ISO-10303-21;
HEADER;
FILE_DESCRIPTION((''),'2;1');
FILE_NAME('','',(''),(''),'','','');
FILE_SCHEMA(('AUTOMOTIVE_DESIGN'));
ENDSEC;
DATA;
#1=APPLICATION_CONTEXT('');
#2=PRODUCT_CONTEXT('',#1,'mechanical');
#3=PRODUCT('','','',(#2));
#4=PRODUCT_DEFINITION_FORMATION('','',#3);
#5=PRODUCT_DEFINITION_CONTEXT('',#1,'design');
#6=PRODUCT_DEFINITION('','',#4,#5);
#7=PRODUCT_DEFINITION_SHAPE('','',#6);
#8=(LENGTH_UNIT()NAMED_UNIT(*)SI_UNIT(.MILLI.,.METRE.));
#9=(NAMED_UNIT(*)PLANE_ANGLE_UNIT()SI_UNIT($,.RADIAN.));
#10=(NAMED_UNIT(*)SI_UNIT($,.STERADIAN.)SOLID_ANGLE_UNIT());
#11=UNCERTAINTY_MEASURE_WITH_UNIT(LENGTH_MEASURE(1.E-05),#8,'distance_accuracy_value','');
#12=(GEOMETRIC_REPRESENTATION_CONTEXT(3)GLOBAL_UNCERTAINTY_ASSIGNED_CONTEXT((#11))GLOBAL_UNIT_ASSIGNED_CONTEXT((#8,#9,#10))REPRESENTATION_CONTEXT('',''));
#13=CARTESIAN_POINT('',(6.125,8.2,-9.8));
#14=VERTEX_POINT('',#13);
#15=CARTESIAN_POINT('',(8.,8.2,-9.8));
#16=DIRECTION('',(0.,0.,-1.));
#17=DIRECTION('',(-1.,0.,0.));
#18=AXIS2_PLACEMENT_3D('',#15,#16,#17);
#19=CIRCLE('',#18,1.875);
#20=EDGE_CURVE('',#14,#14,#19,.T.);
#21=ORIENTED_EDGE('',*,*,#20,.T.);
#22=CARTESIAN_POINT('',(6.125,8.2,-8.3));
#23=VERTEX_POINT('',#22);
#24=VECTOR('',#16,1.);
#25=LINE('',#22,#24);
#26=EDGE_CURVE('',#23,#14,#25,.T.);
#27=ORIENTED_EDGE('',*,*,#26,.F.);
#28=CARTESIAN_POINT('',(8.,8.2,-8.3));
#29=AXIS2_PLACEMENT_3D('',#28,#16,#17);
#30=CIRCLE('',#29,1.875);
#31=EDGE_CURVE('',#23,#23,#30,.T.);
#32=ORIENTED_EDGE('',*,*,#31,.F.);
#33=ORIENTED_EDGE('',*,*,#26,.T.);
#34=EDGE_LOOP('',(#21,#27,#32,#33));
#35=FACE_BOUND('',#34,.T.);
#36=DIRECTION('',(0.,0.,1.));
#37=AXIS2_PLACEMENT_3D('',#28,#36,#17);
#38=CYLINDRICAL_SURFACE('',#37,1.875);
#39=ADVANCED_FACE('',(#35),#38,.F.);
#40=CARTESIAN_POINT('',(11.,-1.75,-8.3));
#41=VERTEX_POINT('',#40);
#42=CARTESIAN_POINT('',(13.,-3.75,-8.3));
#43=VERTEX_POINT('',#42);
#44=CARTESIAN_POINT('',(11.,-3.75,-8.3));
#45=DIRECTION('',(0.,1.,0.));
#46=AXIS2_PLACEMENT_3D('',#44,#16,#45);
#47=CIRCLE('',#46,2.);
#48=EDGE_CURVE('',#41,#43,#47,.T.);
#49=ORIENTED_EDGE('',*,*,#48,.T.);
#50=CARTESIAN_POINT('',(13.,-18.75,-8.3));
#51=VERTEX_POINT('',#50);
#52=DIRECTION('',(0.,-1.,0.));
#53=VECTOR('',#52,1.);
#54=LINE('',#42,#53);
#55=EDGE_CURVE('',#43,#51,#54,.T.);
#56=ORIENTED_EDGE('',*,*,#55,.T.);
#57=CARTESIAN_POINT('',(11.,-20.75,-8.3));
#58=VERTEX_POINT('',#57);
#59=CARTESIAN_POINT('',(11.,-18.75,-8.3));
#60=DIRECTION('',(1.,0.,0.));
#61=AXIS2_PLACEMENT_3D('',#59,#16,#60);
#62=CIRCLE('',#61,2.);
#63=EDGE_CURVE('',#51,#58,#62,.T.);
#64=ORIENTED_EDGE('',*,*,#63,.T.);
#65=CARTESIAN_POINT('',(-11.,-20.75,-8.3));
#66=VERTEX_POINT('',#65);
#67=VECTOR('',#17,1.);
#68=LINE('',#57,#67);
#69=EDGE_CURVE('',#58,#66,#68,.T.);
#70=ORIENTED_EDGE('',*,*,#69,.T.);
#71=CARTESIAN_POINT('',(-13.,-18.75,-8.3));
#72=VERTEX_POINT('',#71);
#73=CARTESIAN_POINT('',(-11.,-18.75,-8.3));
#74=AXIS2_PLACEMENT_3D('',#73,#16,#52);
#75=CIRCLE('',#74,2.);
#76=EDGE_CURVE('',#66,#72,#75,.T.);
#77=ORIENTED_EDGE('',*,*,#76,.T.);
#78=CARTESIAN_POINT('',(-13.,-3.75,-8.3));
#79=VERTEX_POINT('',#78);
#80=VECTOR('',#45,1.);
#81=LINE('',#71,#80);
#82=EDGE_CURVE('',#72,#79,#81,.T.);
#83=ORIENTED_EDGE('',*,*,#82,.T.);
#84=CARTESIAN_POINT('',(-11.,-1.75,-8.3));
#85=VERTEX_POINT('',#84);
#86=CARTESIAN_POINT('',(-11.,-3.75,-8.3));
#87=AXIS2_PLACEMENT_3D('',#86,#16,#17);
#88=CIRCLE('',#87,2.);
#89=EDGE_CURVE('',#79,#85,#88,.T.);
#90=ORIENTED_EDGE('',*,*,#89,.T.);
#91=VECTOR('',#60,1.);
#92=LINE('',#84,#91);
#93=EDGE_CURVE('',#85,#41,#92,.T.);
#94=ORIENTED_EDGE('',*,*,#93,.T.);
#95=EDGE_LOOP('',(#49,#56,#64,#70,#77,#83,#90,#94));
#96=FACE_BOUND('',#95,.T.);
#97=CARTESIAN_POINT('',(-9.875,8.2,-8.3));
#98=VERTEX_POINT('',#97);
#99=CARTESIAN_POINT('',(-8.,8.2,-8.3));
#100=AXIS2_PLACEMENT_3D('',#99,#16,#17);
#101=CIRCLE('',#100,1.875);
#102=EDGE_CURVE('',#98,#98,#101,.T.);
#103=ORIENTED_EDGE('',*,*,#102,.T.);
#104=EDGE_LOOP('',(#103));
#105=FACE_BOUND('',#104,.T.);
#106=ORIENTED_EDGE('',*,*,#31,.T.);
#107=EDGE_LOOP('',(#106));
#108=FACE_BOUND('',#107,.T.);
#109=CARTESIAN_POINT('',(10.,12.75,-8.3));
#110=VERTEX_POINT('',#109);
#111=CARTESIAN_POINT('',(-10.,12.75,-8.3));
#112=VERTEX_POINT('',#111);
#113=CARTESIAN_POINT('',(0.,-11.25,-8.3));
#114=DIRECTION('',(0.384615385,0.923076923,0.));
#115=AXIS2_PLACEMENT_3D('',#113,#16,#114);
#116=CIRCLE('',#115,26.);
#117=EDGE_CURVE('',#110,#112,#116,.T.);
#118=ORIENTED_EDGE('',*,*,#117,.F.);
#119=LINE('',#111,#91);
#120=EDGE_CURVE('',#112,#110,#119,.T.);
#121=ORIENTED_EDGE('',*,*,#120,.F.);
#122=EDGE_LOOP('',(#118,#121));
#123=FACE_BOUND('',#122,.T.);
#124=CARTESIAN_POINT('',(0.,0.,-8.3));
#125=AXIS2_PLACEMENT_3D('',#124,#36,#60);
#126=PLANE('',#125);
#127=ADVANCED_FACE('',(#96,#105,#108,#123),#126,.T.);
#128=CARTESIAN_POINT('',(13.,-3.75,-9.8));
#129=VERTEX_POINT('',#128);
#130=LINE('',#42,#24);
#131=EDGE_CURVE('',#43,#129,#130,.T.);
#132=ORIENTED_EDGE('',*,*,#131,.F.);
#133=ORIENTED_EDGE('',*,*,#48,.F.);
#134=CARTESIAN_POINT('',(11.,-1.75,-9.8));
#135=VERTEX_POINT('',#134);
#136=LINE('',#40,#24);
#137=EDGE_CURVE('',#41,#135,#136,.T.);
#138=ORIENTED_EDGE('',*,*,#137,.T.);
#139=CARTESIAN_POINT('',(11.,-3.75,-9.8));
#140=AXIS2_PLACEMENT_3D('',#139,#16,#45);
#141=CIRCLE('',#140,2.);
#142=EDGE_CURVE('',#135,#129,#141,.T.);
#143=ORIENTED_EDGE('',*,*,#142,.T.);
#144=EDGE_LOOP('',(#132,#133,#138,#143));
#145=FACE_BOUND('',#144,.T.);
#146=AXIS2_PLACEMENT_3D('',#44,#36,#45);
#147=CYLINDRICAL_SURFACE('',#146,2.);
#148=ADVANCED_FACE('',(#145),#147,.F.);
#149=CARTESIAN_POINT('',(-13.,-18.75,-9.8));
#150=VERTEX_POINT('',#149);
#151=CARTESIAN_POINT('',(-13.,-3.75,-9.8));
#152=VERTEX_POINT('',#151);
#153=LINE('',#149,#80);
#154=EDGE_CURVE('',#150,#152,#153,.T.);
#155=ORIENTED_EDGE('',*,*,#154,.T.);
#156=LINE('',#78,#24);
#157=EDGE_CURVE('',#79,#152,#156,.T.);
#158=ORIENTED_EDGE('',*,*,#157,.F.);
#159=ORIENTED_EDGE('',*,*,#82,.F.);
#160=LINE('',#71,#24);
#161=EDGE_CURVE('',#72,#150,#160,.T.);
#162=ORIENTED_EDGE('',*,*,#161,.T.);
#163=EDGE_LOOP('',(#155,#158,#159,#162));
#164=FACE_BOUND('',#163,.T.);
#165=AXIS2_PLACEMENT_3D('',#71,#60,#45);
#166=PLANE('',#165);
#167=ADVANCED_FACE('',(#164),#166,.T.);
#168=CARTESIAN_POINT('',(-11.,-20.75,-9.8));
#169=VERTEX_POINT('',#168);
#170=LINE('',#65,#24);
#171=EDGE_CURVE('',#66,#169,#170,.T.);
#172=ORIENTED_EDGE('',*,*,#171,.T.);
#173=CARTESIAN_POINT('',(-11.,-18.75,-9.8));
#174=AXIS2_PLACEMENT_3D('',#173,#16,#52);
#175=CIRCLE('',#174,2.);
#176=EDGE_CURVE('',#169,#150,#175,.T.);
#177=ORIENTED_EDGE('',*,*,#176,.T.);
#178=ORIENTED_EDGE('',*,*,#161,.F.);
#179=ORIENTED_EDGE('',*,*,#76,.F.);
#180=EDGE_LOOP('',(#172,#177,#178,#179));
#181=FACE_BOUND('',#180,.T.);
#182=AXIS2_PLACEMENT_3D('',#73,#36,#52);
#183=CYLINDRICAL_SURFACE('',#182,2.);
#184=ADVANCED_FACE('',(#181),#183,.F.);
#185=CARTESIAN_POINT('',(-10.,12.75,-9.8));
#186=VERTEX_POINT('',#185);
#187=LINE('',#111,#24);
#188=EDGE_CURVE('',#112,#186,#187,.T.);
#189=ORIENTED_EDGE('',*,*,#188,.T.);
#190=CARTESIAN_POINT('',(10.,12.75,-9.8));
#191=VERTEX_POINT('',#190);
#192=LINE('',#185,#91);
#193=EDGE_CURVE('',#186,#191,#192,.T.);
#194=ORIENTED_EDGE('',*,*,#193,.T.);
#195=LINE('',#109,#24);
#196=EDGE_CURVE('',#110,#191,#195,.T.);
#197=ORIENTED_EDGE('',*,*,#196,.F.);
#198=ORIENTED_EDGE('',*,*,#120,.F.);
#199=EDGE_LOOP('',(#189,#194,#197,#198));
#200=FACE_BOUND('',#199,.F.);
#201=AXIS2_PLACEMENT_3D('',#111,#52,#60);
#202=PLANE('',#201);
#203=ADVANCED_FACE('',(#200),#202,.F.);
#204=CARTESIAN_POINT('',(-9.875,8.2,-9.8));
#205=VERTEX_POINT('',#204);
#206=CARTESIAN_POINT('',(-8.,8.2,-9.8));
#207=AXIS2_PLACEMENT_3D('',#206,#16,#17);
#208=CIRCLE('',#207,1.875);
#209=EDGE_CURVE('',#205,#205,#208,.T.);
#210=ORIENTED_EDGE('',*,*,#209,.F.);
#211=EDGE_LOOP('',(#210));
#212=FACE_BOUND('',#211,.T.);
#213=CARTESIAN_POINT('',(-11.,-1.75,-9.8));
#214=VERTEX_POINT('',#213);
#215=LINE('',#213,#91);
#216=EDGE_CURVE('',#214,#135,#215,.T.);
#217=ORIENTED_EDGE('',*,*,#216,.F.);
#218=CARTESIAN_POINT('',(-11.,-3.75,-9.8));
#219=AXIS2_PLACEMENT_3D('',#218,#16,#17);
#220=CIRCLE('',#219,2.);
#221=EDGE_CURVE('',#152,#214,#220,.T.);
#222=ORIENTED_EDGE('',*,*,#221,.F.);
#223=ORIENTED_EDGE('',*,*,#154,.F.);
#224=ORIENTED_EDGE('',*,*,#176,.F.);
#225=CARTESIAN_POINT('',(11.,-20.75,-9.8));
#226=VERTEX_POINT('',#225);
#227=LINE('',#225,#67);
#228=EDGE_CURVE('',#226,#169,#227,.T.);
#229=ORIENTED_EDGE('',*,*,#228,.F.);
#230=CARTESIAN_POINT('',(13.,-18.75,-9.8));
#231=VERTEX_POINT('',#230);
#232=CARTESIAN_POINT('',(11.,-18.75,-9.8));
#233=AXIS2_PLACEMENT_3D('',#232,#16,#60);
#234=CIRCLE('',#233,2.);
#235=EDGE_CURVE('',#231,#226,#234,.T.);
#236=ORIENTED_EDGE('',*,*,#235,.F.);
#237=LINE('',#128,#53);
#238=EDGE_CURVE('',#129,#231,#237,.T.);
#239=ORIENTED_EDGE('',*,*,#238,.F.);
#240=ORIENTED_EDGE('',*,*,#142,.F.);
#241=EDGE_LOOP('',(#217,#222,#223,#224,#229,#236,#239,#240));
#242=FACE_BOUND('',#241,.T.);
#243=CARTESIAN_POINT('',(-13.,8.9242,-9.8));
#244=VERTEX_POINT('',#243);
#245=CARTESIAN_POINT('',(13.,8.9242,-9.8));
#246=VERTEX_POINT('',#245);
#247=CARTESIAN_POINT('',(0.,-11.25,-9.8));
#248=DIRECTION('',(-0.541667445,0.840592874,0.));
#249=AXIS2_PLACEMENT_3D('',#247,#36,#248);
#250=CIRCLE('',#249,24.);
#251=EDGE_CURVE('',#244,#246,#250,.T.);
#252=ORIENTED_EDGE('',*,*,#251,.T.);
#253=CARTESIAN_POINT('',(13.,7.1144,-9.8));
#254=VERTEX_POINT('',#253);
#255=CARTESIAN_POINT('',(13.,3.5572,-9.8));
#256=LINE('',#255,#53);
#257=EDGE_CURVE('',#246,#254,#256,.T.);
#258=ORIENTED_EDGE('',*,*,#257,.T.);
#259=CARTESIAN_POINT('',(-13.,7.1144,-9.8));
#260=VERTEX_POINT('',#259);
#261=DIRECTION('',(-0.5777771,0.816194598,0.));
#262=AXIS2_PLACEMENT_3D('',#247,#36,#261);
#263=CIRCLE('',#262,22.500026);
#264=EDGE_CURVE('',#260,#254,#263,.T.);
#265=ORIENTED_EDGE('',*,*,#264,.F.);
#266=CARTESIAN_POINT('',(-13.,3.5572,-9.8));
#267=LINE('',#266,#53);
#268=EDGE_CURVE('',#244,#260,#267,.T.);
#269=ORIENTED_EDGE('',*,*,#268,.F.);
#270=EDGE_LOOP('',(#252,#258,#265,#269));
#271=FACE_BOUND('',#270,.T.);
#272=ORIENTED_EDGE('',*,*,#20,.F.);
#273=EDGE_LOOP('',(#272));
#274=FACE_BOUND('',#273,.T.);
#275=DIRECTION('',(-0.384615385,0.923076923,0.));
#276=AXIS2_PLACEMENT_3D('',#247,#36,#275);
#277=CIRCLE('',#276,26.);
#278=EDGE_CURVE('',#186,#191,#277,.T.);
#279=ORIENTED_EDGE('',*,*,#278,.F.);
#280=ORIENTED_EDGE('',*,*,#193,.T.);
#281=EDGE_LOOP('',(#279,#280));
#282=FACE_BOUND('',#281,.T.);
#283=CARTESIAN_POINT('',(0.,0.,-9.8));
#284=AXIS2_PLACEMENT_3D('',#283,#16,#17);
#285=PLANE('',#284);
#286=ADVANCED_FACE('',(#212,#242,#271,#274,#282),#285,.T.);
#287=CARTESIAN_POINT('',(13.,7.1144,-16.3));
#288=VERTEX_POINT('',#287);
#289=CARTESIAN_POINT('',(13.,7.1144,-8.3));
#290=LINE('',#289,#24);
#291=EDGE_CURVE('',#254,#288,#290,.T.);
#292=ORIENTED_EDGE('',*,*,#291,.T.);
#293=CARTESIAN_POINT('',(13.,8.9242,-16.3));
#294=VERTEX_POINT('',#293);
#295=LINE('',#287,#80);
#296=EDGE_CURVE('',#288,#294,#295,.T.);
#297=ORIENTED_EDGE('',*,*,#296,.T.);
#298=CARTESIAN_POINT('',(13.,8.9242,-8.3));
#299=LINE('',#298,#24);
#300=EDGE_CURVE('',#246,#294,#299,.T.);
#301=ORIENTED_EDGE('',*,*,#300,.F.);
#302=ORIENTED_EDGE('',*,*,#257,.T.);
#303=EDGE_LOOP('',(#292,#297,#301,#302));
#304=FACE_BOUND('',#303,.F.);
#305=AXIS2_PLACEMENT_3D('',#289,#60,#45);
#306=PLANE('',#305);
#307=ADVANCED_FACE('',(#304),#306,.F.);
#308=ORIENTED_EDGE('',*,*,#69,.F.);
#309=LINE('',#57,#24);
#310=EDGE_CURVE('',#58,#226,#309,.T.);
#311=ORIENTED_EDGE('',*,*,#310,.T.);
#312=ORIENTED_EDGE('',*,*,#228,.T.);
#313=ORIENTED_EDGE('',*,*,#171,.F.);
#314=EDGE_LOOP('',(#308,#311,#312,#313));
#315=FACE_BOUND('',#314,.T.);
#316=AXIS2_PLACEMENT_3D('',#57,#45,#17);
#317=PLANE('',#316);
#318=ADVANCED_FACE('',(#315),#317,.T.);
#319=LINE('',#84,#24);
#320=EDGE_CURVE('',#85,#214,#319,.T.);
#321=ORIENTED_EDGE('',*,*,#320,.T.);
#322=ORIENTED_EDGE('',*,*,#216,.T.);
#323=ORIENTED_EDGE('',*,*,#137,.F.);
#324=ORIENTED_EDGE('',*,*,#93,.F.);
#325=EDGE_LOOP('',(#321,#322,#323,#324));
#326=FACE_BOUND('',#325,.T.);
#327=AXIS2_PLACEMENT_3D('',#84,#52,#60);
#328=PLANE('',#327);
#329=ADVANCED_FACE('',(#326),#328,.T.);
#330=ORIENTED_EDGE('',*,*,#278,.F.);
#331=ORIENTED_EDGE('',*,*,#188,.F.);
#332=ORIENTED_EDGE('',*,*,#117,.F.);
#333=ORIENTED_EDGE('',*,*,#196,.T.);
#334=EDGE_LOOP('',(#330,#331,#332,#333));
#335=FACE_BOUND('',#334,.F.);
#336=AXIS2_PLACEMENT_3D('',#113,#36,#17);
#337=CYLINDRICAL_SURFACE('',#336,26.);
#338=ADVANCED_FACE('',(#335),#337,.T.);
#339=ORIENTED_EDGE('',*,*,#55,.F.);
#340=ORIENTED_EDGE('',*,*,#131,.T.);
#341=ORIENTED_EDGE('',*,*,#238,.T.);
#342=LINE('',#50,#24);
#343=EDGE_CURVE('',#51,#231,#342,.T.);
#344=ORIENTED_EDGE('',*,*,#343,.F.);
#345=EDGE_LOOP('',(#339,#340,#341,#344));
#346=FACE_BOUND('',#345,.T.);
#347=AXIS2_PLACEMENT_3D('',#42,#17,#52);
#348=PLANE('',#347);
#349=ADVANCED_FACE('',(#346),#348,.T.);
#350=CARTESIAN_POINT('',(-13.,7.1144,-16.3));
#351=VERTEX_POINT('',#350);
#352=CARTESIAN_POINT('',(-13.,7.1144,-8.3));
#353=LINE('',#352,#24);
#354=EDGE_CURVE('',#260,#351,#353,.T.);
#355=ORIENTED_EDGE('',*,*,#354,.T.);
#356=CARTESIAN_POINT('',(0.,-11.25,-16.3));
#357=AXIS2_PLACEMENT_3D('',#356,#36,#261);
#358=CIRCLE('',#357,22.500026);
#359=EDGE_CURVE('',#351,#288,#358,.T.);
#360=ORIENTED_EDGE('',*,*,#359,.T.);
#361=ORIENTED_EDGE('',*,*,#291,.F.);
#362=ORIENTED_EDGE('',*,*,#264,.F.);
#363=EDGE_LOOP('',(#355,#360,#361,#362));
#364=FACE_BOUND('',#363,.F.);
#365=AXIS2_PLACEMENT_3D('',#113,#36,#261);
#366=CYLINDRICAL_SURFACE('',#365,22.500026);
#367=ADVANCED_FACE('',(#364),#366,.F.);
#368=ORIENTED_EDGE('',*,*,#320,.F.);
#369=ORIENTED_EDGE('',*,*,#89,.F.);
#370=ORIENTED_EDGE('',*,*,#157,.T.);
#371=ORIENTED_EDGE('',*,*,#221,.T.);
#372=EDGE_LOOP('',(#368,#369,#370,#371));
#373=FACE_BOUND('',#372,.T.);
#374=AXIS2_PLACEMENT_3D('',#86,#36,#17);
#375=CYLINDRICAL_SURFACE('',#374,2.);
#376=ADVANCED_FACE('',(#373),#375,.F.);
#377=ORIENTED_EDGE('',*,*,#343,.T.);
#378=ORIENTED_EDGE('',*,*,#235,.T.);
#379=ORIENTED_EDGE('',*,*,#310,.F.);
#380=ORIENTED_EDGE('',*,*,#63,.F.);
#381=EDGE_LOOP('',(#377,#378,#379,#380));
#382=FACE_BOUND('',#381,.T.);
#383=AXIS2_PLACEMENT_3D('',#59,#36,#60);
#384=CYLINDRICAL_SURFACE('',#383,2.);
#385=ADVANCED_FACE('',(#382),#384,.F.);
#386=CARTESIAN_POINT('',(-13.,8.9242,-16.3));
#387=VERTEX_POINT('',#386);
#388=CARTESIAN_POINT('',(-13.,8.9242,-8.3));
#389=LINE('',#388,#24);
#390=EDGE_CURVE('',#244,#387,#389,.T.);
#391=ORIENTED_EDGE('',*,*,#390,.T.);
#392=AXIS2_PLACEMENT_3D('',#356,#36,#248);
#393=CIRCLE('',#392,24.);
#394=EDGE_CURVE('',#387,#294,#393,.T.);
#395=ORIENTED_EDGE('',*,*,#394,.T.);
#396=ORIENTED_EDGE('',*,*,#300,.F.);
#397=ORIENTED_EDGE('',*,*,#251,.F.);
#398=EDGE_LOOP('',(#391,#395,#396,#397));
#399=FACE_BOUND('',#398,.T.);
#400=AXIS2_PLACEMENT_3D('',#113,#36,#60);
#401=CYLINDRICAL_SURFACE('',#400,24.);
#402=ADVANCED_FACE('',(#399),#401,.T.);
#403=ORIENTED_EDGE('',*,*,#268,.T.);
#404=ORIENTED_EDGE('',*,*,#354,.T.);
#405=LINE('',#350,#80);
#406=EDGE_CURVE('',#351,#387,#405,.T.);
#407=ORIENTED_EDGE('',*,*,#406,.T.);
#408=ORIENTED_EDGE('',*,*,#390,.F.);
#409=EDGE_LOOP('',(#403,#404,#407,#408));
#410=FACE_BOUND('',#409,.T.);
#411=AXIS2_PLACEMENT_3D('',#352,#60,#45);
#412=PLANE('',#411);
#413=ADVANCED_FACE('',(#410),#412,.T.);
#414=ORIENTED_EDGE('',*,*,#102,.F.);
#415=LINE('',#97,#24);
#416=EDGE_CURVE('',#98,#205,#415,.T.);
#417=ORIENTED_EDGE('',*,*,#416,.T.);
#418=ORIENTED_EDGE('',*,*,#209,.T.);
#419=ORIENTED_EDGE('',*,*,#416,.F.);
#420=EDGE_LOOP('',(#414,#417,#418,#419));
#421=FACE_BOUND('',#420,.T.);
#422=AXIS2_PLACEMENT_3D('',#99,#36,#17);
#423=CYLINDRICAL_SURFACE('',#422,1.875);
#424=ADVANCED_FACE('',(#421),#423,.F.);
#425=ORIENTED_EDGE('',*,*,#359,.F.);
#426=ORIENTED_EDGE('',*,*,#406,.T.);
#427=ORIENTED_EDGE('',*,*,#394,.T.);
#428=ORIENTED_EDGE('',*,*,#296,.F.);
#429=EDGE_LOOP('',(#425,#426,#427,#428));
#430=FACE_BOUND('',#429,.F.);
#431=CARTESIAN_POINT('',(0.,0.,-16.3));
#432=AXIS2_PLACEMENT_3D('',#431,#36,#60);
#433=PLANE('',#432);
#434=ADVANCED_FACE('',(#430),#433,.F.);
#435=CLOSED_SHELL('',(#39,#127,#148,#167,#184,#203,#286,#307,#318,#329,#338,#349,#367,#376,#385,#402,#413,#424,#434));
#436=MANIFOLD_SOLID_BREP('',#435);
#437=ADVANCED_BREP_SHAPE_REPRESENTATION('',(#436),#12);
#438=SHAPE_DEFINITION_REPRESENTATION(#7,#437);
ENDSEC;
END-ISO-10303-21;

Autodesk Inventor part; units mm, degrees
ref_plane "YZ Plane" through (0, 0, 0) normal (1, 0, 0) x (0, 1, 0)
ref_plane "作業平面1" through (0, 0, 0) normal (0, 0, 1) x (1, 0, 0)
ref_plane "作業平面2" through (0, 0, -8.3) normal (0, 0, -1) x (-1, 0, 0)
sketch "スケッチ1" plane through (0, 0, -8.3) normal (0, 0, -1) x (-1, 0, 0)
  circle A0 centre (0, -11.25) radius 6.5 projected
  circle A1 centre (0, -11.25) radius 26
  line L0 (10, 12.75) -> (-10, 12.75)
  line L1 (11, -1.75) -> (-11, -1.75)
  line L2 (-13, -3.75) -> (-13, -18.75)
  line L3 (-11, -20.75) -> (11, -20.75)
  line L4 (13, -18.75) -> (13, -3.75)
  line L5 (13, -1.75) -> (-13, -20.75) construction
  line L6 (-13, -1.75) -> (13, -20.75) construction
  arc A2 (11, -20.75) -> (13, -18.75) centre (11, -18.75) ccw
  arc A3 (13, -3.75) -> (11, -1.75) centre (11, -3.75) ccw
  arc A4 (-11, -1.75) -> (-13, -3.75) centre (-11, -3.75) ccw
  arc A5 (-13, -18.75) -> (-11, -20.75) centre (-11, -18.75) ccw
  circle A6 centre (8, 8.2) radius 2.425 projected
  circle A7 centre (-8, 8.2) radius 2.425 projected
  circle A8 centre (8, 8.2) radius 1.875
  circle A9 centre (-8, 8.2) radius 1.875
  point P0 (0, 0)
  dimension "d0" = 52
  dimension "d1" = 20
  dimension "d2" = 26
  dimension "d3" = 19
  dimension "d4" = 2
  dimension "d7" = 3.75
extrude "押し出し1" add sketch "スケッチ1" along normal blind 1.5 contours A1 L0 | A6 | A7 picked at (-0.9365, -26.1993)
sketch "スケッチ2" plane through (0, 0, -8.3) normal (0, 0, 1) x (1, 0, 0)
  circle A0 centre (0, -11.25) radius 24
  arc A1 (-10, 12.75) -> (10, 12.75) centre (0, -11.25) ccw projected
  arc A2 (-13, 7.1144) -> (13, 7.1144) centre (0, -11.25) ccw
  line L0 (-13, 7.1144) -> (-13, 8.9242)
  line L1 (13, 7.1144) -> (13, 8.9242)
  point P0 (0, 0)
  point P1 (13, 8.0193)
  dimension "d8" = 48
  dimension "d9" = 1.5
  dimension "d10" = 26
extrude "押し出し2" add sketch "スケッチ2" against normal blind 8 contours A0 L0 A2 L1 picked at (18.6222, -25.3282)
properties part number "Mirror_Mount"
